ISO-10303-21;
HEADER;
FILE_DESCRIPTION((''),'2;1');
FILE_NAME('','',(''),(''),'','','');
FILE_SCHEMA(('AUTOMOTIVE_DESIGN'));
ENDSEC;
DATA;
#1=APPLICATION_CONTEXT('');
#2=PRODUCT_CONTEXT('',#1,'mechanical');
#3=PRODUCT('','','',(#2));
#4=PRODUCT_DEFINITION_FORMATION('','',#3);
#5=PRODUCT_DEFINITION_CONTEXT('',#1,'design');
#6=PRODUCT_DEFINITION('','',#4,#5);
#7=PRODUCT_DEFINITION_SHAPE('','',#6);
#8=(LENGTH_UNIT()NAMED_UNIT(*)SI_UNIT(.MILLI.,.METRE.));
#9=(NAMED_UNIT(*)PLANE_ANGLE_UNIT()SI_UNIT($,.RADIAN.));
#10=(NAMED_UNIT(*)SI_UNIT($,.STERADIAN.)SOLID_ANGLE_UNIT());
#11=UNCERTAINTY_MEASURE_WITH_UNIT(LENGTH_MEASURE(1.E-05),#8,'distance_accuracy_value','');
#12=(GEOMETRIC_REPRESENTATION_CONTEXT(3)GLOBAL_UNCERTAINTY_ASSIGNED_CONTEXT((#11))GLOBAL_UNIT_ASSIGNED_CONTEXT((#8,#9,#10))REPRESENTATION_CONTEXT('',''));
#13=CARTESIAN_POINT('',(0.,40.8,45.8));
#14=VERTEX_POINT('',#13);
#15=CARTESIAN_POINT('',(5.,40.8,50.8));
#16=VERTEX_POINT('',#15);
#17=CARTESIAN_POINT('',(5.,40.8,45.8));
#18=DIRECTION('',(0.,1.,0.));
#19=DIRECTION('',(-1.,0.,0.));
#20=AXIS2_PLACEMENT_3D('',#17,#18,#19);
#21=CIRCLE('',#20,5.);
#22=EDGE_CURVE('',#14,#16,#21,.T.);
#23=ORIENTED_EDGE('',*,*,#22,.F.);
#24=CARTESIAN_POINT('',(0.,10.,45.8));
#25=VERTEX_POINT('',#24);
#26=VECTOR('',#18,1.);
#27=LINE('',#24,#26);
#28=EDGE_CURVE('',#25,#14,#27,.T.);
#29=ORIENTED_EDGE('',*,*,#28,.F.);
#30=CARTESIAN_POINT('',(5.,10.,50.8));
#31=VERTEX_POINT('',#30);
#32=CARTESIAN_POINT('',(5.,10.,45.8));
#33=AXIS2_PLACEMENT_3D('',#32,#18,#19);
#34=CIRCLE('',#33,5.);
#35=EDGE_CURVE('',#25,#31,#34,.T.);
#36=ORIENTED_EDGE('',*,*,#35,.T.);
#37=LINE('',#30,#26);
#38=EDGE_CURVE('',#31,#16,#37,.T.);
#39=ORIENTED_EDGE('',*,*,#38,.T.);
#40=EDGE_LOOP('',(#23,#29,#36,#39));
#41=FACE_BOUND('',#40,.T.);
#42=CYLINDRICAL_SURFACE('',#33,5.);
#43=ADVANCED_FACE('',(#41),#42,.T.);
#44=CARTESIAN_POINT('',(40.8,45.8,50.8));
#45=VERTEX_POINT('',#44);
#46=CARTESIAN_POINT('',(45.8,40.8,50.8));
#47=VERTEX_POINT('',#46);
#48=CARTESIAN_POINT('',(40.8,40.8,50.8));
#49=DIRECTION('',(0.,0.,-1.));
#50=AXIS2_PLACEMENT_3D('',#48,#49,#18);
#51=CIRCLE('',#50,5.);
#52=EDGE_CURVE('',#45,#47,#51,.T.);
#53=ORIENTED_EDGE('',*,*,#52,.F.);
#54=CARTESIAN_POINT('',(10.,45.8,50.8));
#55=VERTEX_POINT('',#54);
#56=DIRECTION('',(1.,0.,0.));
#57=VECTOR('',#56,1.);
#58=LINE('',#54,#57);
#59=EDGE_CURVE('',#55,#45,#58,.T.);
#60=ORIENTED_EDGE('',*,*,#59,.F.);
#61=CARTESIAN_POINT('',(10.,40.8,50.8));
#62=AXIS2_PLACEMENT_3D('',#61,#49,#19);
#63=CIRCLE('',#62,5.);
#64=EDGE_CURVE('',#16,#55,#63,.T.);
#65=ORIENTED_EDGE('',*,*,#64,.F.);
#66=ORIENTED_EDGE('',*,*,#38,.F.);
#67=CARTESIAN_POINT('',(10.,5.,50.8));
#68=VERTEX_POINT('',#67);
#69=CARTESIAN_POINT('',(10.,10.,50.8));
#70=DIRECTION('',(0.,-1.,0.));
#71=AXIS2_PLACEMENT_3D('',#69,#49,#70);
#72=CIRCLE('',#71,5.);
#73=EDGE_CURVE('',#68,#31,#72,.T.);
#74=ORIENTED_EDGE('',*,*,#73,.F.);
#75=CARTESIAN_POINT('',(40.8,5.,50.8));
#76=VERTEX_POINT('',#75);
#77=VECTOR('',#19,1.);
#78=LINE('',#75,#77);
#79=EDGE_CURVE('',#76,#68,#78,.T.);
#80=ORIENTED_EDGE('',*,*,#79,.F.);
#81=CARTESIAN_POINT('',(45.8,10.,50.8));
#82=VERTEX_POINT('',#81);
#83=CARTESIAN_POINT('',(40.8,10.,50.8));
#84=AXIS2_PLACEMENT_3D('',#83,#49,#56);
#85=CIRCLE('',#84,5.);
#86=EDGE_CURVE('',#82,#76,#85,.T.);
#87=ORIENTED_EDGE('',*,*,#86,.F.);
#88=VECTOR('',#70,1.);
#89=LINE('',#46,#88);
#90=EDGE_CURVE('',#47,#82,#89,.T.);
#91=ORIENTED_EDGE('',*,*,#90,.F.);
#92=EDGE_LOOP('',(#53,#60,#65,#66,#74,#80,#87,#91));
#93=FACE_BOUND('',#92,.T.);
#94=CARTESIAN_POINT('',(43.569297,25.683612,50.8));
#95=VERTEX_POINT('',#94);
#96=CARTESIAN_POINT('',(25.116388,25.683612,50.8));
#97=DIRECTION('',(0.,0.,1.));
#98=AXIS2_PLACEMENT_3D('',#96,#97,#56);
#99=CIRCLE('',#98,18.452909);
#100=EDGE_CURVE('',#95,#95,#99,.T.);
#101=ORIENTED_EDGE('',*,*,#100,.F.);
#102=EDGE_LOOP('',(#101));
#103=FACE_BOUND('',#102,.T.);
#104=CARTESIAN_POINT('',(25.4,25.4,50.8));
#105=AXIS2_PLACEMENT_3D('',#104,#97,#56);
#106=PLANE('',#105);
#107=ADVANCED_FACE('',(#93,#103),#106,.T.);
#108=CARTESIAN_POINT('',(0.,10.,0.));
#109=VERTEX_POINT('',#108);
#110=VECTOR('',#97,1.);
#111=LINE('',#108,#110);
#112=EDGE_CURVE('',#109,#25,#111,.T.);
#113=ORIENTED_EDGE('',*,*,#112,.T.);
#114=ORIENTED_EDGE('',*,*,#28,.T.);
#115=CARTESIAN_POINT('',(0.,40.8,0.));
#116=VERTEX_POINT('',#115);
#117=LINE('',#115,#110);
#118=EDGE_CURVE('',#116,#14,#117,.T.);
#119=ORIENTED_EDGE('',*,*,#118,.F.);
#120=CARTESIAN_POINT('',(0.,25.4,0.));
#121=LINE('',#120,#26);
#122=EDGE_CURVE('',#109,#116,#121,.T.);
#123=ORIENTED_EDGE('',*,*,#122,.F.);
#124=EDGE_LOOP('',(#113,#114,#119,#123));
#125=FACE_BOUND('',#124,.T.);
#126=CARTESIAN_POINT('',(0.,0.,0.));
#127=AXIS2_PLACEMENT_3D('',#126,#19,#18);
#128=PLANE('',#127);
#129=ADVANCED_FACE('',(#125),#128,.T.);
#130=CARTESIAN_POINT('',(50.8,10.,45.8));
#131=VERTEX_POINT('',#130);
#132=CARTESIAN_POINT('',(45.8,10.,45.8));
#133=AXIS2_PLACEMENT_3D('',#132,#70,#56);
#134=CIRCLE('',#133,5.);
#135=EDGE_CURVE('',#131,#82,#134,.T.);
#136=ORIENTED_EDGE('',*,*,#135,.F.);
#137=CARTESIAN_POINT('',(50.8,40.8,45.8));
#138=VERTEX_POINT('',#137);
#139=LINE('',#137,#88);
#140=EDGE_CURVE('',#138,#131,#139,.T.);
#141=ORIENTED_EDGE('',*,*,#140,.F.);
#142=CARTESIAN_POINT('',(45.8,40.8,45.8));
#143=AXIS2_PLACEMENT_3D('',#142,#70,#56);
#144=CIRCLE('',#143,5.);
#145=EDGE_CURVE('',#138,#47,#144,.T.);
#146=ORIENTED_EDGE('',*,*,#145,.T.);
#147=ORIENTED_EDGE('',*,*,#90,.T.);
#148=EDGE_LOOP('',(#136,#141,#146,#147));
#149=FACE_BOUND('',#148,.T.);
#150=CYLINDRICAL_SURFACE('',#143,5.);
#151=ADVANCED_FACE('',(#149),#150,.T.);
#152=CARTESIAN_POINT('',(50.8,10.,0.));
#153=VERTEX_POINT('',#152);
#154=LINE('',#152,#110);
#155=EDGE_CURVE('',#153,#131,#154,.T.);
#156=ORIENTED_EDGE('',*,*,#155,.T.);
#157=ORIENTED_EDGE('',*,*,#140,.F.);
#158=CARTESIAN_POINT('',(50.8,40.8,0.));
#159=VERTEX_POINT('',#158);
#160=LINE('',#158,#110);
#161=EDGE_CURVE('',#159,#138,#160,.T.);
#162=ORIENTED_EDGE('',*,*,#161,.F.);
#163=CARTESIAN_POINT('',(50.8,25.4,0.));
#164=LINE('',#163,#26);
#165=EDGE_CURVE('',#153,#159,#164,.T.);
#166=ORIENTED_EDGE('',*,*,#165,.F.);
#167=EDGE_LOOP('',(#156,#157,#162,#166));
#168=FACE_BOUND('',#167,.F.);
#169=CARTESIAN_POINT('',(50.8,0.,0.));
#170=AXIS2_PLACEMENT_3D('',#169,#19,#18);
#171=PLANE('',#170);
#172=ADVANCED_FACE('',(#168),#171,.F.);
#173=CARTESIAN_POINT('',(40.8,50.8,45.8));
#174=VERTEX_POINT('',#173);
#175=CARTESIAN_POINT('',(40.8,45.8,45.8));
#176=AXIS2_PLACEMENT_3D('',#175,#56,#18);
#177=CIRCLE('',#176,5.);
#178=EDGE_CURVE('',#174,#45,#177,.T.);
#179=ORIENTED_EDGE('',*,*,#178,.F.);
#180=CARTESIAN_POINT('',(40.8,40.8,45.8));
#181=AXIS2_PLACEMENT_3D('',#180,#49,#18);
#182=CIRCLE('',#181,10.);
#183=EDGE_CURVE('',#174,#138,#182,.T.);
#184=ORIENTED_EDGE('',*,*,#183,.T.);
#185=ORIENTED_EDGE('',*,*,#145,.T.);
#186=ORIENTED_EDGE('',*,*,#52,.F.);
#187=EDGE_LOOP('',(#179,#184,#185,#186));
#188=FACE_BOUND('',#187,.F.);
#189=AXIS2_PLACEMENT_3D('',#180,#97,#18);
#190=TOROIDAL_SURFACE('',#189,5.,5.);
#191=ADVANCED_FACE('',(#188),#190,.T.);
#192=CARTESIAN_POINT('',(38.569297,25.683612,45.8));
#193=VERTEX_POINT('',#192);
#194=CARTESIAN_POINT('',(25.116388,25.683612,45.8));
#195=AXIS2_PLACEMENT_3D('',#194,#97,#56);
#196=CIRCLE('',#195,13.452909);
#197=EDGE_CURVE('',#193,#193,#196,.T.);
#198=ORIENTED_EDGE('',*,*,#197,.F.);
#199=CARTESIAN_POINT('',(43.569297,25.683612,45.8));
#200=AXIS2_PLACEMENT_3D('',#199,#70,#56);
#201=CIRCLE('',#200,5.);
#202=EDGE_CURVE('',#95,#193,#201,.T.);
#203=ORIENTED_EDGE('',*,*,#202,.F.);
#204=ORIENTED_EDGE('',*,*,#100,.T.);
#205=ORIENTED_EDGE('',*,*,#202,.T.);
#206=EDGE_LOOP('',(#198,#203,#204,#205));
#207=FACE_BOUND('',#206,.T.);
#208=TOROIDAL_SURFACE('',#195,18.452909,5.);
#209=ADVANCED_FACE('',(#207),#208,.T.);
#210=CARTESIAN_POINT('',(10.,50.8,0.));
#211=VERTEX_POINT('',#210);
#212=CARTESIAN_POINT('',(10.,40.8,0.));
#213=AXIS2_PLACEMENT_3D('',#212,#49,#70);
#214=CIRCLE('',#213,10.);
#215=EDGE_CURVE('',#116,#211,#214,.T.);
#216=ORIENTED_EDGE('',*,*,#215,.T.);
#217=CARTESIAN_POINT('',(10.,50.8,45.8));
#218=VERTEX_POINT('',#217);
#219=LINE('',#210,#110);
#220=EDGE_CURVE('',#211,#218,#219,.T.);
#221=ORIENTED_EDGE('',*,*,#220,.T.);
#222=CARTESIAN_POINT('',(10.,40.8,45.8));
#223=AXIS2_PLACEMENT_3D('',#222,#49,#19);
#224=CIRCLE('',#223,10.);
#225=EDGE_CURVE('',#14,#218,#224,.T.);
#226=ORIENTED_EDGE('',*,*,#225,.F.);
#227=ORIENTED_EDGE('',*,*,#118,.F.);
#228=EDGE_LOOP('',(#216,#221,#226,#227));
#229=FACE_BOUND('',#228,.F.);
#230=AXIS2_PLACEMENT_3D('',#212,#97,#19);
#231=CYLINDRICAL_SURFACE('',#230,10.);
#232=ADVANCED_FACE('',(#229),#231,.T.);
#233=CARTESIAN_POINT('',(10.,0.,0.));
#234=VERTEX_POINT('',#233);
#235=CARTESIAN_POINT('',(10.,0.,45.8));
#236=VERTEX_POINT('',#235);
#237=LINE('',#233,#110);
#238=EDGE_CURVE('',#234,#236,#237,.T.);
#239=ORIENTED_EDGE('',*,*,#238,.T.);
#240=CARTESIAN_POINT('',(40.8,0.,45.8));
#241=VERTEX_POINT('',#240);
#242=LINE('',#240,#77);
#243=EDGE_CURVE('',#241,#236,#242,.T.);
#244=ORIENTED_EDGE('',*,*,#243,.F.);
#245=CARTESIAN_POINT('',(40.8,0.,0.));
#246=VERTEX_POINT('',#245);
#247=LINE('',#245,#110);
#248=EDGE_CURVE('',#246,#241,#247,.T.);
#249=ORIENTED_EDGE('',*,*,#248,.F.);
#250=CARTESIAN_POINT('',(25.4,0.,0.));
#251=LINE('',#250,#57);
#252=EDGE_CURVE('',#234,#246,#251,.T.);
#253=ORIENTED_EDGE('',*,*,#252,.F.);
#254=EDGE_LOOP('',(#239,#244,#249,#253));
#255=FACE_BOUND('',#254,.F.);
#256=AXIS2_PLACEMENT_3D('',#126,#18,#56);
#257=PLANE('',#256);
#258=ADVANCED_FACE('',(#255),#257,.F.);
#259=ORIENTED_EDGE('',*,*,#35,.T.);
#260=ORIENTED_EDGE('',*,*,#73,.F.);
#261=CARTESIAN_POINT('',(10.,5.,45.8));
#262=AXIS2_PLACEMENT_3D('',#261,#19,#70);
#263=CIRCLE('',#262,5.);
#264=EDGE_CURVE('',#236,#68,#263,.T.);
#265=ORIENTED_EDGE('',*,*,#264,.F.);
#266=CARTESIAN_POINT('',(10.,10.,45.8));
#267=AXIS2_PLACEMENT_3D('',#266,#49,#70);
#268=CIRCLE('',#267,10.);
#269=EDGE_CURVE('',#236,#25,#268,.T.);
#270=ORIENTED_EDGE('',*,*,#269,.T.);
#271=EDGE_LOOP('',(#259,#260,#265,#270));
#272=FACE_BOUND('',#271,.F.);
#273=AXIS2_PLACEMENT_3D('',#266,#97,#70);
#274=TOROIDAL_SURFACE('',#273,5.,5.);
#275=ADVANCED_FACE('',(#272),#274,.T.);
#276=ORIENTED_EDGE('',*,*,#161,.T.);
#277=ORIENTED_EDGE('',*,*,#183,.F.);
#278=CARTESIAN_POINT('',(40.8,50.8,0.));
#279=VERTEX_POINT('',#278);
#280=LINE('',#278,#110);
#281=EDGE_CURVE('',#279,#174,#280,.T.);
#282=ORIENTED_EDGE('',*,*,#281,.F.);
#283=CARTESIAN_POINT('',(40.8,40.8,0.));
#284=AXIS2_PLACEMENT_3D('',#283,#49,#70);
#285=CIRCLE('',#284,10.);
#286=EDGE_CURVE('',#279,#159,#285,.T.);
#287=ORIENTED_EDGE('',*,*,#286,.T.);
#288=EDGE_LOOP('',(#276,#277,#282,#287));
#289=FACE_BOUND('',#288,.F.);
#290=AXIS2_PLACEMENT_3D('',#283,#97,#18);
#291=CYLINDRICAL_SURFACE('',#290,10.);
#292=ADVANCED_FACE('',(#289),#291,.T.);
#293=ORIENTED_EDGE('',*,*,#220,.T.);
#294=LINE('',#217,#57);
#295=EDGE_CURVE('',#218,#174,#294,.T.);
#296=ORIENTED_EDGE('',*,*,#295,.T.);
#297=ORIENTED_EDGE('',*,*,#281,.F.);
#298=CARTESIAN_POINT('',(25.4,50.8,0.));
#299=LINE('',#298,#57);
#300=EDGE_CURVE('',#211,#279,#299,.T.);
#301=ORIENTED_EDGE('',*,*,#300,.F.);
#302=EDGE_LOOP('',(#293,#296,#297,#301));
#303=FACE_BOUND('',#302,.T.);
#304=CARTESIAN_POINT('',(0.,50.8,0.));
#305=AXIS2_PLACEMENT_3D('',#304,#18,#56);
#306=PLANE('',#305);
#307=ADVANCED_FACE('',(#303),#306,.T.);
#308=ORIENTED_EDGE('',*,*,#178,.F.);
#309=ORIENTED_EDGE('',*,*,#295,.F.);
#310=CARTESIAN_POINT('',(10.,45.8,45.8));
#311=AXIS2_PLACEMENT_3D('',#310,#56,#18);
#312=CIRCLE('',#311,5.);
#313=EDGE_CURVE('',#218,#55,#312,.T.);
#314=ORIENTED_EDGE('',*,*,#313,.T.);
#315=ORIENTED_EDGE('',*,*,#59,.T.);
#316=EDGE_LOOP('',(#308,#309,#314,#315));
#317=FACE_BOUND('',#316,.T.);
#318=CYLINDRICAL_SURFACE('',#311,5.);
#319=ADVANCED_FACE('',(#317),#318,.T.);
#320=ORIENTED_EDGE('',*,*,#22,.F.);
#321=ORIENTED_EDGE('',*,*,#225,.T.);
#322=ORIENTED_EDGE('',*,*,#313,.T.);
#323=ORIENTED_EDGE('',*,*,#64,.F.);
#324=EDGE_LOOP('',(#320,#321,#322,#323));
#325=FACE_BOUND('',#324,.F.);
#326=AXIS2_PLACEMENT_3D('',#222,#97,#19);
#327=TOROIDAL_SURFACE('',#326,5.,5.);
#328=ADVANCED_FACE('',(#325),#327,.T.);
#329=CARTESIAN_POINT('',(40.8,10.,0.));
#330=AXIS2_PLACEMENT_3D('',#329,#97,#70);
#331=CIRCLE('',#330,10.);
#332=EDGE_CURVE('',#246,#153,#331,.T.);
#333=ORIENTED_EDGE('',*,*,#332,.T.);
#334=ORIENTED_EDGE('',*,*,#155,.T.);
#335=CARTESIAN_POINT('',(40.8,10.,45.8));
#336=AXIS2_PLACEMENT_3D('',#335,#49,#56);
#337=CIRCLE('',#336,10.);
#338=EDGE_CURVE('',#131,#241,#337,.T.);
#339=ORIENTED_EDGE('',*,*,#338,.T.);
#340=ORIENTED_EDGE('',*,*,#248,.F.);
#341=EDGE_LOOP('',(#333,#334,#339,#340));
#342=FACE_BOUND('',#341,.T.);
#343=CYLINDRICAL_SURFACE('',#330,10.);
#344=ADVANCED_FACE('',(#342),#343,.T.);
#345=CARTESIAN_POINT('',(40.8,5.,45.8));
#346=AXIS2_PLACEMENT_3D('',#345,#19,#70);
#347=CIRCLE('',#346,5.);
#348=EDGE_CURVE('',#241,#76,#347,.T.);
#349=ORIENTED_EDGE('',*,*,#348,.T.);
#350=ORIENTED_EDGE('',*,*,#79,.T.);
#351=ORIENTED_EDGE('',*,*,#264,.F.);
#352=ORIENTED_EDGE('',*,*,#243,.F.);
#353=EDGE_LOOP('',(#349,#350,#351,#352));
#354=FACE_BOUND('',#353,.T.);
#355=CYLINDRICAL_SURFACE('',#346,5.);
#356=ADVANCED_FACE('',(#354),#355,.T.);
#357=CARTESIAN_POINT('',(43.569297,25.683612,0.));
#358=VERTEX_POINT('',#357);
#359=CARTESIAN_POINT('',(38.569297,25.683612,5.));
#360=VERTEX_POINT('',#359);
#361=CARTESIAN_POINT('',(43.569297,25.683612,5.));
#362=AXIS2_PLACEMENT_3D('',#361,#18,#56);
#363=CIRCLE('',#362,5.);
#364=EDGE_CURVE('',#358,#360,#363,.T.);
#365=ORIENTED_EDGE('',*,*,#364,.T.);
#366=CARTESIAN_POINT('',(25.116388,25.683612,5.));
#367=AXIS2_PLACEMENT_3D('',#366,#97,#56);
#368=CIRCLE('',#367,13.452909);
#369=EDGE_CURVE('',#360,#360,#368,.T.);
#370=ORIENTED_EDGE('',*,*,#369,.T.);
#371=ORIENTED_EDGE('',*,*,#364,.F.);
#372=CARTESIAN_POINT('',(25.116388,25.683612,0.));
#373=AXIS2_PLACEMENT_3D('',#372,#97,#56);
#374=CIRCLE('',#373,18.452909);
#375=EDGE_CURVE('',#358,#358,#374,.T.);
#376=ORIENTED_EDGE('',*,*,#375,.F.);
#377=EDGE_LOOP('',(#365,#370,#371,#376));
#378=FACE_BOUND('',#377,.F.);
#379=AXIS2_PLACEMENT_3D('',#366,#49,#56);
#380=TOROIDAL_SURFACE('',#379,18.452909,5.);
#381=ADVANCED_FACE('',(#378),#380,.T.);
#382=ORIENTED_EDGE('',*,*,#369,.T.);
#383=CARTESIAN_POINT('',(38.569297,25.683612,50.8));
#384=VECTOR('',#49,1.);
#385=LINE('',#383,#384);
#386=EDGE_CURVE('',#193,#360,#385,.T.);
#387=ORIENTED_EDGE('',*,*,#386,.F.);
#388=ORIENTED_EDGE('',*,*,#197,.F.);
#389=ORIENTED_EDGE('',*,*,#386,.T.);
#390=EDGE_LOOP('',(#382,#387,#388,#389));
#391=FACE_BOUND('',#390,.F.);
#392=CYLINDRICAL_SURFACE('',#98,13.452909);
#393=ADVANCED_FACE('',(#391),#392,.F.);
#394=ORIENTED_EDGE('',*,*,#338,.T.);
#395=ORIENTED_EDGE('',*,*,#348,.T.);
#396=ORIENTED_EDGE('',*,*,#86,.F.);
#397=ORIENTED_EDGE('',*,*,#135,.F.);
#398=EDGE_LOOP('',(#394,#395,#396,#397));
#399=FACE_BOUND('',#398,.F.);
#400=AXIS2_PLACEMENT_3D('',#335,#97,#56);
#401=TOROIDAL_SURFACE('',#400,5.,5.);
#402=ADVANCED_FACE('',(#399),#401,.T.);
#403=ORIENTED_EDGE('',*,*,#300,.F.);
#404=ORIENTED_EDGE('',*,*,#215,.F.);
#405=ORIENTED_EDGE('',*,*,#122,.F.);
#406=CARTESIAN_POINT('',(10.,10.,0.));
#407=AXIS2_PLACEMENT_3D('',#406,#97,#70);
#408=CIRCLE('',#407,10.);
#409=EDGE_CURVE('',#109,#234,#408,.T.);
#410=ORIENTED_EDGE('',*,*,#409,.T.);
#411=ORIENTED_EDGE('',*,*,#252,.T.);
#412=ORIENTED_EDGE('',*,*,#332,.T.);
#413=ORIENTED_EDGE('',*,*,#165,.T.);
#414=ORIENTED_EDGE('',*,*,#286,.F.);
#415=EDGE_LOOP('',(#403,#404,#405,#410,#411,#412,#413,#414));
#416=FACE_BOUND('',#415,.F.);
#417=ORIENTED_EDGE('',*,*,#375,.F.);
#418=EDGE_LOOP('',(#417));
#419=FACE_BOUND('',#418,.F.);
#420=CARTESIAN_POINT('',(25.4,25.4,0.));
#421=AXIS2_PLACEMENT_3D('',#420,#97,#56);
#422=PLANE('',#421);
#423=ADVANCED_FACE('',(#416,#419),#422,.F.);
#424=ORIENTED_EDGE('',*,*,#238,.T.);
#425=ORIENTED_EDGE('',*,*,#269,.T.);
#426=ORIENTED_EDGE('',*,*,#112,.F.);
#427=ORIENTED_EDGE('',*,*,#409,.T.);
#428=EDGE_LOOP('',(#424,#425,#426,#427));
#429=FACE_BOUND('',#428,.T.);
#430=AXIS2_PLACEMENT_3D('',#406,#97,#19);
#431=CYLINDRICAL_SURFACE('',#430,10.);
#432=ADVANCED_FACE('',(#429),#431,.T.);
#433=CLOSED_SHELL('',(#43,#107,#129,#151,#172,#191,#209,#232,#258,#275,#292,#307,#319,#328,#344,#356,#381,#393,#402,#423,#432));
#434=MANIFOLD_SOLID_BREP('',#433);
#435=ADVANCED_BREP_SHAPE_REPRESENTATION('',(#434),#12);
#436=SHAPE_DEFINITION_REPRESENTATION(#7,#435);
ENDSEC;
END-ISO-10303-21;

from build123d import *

# Parameters (mm, degrees)
F0_W     = 50.8
F0_H     = 50.8
F1_DEPTH = 50.8
F2_R     = 13.4529093532
F3_DEPTH = 50.801
F4_R     = 10
F5_R     = 5


with BuildPart() as f1:
    # F0 (on Top) → F1 (new body)
    with BuildSketch(Plane.XY):
        with Locations((25.4, 25.4)):
            Rectangle(F0_W, F0_H)
    extrude(amount=F1_DEPTH)

    # F2 (on face) → F3 (cut, through all)
    with BuildSketch(Plane.XY.offset(50.8)):
        with Locations((25.1163877547, 25.6836116314)):
            Circle(F2_R)
    extrude(amount=-F3_DEPTH, mode=Mode.SUBTRACT)

    # F4
    f4_edges = [f1.edges().sort_by_distance(p)[0] for p in [
        (50.8, 50.8, 25.4),
        (50.8, 0, 25.4),
        (0, 50.8, 25.4),
        (0, 0, 25.4),
    ]]
    fillet(f4_edges, radius=F4_R)

    # F5
    f5_edges = [f1.edges().sort_by_distance(p)[0] for p in [
        (11.663478, 25.683612, 50.8),
        (11.663478, 25.683612, 0),
        (0, 25.4, 50.8),
        (2.928932, 47.871068, 50.8),
        (2.928932, 2.928932, 50.8),
        (25.4, 50.8, 50.8),
        (25.4, 0, 50.8),
        (47.871068, 47.871068, 50.8),
        (47.871068, 2.928932, 50.8),
        (50.8, 25.4, 50.8),
    ]]
    fillet(f5_edges, radius=F5_R)


solid = f1.part
